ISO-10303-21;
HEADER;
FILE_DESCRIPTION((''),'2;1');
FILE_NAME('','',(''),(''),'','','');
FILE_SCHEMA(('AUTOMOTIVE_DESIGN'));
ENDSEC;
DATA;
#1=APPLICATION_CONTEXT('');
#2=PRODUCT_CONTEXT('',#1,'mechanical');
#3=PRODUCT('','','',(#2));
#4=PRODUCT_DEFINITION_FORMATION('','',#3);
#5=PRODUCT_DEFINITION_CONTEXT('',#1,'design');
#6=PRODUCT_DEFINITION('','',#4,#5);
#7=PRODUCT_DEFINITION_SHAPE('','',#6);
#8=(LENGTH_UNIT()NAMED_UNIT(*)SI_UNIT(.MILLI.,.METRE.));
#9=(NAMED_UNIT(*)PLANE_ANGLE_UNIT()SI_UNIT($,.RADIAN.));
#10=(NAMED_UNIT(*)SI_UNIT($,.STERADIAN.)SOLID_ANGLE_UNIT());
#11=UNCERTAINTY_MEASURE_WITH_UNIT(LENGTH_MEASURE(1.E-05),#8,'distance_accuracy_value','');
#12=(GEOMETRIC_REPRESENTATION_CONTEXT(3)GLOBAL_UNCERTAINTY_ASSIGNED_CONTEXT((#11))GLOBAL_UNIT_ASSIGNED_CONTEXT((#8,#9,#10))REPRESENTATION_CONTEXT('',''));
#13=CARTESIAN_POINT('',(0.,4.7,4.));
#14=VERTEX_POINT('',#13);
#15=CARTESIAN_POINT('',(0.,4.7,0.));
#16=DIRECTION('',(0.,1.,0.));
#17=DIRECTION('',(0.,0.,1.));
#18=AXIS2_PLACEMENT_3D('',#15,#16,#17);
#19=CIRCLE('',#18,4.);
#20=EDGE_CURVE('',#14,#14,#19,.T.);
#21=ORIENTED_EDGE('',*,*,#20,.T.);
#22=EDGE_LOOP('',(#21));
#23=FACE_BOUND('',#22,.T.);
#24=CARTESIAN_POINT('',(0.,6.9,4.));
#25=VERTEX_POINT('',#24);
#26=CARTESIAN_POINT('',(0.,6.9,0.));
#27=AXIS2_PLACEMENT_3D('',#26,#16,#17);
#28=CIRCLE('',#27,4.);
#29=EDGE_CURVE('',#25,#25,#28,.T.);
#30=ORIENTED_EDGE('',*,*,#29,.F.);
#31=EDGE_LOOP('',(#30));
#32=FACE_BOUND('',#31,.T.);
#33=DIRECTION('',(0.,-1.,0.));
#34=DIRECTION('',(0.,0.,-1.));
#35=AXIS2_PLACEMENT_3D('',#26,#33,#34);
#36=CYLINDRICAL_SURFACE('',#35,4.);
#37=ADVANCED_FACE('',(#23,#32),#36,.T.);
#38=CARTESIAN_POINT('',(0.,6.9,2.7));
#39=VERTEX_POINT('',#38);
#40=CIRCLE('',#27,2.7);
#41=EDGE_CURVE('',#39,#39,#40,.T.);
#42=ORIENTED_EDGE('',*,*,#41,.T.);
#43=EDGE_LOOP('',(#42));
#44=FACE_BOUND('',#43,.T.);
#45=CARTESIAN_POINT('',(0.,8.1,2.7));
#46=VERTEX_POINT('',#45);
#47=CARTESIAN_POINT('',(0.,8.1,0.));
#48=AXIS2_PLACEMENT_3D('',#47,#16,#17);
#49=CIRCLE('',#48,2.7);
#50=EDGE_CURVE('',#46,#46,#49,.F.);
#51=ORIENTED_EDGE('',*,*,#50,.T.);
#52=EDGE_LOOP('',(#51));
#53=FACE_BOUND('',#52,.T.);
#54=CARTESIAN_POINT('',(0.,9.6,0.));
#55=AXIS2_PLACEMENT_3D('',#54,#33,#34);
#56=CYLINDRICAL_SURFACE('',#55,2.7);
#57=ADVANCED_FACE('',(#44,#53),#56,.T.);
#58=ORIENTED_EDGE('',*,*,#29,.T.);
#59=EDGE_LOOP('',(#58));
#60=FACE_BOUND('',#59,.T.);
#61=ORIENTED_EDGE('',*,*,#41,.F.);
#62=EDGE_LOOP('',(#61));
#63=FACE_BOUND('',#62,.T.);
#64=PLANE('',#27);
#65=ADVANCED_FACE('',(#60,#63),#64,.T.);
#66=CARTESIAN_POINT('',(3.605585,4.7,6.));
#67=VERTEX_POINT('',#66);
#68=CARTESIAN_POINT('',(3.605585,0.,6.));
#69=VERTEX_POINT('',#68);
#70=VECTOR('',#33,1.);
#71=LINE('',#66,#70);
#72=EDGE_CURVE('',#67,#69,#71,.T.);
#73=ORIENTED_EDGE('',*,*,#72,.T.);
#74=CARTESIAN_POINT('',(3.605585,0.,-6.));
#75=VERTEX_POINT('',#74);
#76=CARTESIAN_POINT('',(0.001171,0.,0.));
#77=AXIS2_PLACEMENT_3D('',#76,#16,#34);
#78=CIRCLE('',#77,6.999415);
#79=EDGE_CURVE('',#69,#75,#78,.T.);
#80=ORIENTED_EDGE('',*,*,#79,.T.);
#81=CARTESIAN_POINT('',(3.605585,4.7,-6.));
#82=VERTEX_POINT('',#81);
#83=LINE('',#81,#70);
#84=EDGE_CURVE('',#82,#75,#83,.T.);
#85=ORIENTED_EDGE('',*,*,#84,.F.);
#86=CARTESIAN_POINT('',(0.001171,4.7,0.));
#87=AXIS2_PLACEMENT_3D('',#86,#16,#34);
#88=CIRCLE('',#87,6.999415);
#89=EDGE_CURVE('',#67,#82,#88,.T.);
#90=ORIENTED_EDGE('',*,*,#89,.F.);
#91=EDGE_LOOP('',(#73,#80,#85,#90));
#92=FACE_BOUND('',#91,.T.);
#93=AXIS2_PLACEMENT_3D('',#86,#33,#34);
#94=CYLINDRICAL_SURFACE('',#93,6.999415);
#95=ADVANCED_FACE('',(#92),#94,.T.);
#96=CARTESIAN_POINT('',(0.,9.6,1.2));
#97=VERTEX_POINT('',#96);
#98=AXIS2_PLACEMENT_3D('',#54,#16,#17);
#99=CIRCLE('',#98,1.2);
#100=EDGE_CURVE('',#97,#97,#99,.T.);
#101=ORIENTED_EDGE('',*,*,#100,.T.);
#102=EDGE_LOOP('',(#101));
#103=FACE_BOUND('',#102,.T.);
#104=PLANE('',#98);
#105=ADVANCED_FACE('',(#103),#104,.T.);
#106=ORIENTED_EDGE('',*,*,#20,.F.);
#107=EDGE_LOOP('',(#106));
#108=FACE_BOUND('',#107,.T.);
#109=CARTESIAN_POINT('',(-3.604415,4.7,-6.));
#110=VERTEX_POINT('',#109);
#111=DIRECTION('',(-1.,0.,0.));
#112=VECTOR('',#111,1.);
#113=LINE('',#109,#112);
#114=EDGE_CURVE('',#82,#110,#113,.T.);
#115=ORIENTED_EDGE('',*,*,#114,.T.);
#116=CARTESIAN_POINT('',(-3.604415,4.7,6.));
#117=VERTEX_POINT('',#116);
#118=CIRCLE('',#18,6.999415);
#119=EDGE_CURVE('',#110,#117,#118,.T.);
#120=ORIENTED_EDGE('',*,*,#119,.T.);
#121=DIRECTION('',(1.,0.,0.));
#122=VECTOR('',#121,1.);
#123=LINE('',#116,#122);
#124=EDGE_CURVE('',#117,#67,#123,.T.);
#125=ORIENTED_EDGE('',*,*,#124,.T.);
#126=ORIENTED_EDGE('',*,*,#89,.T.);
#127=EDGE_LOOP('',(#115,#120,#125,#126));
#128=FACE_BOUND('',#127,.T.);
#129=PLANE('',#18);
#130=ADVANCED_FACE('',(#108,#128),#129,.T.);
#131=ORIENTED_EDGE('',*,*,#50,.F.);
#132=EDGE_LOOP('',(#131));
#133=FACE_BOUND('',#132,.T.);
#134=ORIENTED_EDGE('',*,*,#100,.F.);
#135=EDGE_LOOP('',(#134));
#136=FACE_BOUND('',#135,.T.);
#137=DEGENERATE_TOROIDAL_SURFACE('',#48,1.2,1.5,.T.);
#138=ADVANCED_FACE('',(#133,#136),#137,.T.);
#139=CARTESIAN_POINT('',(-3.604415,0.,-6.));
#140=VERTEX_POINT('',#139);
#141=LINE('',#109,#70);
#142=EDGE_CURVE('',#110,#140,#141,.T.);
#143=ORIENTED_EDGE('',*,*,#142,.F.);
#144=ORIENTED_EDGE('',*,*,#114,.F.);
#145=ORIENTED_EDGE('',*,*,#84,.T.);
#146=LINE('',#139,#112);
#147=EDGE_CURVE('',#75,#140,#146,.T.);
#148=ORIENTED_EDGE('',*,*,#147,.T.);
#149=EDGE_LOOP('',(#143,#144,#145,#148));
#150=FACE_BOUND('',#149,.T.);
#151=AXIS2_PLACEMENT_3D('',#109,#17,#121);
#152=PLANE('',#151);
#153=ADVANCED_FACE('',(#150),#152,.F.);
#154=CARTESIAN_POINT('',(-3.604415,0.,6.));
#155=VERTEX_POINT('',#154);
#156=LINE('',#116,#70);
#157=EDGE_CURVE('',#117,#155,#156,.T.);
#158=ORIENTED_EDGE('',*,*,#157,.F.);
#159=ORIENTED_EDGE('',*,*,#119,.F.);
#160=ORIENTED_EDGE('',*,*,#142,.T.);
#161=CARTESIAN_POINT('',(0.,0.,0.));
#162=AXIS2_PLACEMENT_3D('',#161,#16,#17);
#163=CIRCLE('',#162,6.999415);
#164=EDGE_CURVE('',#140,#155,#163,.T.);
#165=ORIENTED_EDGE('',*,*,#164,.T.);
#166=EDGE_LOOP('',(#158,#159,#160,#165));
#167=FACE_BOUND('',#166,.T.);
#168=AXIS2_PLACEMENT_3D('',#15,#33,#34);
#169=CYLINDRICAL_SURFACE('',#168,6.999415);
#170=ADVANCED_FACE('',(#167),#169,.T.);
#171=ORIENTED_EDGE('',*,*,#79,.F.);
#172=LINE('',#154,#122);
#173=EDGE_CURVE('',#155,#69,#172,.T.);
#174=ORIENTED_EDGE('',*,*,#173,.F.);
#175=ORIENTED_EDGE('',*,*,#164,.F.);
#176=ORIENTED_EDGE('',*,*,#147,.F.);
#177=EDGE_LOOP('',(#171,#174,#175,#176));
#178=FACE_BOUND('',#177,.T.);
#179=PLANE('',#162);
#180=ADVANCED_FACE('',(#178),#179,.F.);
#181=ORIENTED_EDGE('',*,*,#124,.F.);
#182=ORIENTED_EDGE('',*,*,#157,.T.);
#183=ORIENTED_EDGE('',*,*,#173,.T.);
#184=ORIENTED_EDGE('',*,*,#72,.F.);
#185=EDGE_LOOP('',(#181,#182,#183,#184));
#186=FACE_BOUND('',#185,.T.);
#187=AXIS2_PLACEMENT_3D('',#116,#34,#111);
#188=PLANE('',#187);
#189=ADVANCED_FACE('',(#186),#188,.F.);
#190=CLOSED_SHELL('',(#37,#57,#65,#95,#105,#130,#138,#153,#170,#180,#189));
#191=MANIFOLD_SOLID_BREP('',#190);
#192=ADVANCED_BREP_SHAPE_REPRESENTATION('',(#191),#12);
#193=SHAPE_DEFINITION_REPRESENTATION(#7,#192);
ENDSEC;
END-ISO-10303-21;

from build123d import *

# Parameters (mm, degrees)
BOSS_EXTRUDE1_DEPTH = 4.7
SKETCH2_R           = 4
BOSS_EXTRUDE2_DEPTH = 2.2
SKETCH3_R           = 2.7
BOSS_EXTRUDE3_DEPTH = 2.7
FILLET1_R           = 1.5


with BuildPart() as part:
    # Sketch1 → Boss-Extrude1 (new body)
    with BuildSketch(Plane(origin=(0, 0, 0), x_dir=(1, 0, 0), z_dir=(0, 1, 0))):
        with BuildLine():
            Line((-3.60441458, 6), (3.60558542, 6))
            ThreePointArc((3.60558542, 6), (7.00058542, 0), (3.60558542, -6))
            Line((3.60558542, -6), (-3.60441458, -6))
            ThreePointArc((-3.60441458, -6), (-6.99941458, 0), (-3.60441458, 6))
        make_face()
    extrude(amount=BOSS_EXTRUDE1_DEPTH)

    # Sketch2 → Boss-Extrude2 (add)
    with BuildSketch(Plane(origin=(0, 4.7, 0), x_dir=(1, 0, 0), z_dir=(0, 1, 0))):
        with Locations(Location((0, 0, 0), (0, 0, 270))):
            Circle(SKETCH2_R)
    extrude(amount=BOSS_EXTRUDE2_DEPTH)

    # Sketch3 → Boss-Extrude3 (add)
    with BuildSketch(Plane(origin=(0, 6.9, 0), x_dir=(1, 0, 0), z_dir=(0, 1, 0))):
        with Locations(Location((0, 0, 0), (0, 0, 270))):
            Circle(SKETCH3_R)
    extrude(amount=BOSS_EXTRUDE3_DEPTH)

    # Fillet1
    fillet1_edges = [part.edges().sort_by_distance(p)[0] for p in [
        (0, 9.6, -2.7),
    ]]
    fillet(fillet1_edges, radius=FILLET1_R)


solid = part.part
